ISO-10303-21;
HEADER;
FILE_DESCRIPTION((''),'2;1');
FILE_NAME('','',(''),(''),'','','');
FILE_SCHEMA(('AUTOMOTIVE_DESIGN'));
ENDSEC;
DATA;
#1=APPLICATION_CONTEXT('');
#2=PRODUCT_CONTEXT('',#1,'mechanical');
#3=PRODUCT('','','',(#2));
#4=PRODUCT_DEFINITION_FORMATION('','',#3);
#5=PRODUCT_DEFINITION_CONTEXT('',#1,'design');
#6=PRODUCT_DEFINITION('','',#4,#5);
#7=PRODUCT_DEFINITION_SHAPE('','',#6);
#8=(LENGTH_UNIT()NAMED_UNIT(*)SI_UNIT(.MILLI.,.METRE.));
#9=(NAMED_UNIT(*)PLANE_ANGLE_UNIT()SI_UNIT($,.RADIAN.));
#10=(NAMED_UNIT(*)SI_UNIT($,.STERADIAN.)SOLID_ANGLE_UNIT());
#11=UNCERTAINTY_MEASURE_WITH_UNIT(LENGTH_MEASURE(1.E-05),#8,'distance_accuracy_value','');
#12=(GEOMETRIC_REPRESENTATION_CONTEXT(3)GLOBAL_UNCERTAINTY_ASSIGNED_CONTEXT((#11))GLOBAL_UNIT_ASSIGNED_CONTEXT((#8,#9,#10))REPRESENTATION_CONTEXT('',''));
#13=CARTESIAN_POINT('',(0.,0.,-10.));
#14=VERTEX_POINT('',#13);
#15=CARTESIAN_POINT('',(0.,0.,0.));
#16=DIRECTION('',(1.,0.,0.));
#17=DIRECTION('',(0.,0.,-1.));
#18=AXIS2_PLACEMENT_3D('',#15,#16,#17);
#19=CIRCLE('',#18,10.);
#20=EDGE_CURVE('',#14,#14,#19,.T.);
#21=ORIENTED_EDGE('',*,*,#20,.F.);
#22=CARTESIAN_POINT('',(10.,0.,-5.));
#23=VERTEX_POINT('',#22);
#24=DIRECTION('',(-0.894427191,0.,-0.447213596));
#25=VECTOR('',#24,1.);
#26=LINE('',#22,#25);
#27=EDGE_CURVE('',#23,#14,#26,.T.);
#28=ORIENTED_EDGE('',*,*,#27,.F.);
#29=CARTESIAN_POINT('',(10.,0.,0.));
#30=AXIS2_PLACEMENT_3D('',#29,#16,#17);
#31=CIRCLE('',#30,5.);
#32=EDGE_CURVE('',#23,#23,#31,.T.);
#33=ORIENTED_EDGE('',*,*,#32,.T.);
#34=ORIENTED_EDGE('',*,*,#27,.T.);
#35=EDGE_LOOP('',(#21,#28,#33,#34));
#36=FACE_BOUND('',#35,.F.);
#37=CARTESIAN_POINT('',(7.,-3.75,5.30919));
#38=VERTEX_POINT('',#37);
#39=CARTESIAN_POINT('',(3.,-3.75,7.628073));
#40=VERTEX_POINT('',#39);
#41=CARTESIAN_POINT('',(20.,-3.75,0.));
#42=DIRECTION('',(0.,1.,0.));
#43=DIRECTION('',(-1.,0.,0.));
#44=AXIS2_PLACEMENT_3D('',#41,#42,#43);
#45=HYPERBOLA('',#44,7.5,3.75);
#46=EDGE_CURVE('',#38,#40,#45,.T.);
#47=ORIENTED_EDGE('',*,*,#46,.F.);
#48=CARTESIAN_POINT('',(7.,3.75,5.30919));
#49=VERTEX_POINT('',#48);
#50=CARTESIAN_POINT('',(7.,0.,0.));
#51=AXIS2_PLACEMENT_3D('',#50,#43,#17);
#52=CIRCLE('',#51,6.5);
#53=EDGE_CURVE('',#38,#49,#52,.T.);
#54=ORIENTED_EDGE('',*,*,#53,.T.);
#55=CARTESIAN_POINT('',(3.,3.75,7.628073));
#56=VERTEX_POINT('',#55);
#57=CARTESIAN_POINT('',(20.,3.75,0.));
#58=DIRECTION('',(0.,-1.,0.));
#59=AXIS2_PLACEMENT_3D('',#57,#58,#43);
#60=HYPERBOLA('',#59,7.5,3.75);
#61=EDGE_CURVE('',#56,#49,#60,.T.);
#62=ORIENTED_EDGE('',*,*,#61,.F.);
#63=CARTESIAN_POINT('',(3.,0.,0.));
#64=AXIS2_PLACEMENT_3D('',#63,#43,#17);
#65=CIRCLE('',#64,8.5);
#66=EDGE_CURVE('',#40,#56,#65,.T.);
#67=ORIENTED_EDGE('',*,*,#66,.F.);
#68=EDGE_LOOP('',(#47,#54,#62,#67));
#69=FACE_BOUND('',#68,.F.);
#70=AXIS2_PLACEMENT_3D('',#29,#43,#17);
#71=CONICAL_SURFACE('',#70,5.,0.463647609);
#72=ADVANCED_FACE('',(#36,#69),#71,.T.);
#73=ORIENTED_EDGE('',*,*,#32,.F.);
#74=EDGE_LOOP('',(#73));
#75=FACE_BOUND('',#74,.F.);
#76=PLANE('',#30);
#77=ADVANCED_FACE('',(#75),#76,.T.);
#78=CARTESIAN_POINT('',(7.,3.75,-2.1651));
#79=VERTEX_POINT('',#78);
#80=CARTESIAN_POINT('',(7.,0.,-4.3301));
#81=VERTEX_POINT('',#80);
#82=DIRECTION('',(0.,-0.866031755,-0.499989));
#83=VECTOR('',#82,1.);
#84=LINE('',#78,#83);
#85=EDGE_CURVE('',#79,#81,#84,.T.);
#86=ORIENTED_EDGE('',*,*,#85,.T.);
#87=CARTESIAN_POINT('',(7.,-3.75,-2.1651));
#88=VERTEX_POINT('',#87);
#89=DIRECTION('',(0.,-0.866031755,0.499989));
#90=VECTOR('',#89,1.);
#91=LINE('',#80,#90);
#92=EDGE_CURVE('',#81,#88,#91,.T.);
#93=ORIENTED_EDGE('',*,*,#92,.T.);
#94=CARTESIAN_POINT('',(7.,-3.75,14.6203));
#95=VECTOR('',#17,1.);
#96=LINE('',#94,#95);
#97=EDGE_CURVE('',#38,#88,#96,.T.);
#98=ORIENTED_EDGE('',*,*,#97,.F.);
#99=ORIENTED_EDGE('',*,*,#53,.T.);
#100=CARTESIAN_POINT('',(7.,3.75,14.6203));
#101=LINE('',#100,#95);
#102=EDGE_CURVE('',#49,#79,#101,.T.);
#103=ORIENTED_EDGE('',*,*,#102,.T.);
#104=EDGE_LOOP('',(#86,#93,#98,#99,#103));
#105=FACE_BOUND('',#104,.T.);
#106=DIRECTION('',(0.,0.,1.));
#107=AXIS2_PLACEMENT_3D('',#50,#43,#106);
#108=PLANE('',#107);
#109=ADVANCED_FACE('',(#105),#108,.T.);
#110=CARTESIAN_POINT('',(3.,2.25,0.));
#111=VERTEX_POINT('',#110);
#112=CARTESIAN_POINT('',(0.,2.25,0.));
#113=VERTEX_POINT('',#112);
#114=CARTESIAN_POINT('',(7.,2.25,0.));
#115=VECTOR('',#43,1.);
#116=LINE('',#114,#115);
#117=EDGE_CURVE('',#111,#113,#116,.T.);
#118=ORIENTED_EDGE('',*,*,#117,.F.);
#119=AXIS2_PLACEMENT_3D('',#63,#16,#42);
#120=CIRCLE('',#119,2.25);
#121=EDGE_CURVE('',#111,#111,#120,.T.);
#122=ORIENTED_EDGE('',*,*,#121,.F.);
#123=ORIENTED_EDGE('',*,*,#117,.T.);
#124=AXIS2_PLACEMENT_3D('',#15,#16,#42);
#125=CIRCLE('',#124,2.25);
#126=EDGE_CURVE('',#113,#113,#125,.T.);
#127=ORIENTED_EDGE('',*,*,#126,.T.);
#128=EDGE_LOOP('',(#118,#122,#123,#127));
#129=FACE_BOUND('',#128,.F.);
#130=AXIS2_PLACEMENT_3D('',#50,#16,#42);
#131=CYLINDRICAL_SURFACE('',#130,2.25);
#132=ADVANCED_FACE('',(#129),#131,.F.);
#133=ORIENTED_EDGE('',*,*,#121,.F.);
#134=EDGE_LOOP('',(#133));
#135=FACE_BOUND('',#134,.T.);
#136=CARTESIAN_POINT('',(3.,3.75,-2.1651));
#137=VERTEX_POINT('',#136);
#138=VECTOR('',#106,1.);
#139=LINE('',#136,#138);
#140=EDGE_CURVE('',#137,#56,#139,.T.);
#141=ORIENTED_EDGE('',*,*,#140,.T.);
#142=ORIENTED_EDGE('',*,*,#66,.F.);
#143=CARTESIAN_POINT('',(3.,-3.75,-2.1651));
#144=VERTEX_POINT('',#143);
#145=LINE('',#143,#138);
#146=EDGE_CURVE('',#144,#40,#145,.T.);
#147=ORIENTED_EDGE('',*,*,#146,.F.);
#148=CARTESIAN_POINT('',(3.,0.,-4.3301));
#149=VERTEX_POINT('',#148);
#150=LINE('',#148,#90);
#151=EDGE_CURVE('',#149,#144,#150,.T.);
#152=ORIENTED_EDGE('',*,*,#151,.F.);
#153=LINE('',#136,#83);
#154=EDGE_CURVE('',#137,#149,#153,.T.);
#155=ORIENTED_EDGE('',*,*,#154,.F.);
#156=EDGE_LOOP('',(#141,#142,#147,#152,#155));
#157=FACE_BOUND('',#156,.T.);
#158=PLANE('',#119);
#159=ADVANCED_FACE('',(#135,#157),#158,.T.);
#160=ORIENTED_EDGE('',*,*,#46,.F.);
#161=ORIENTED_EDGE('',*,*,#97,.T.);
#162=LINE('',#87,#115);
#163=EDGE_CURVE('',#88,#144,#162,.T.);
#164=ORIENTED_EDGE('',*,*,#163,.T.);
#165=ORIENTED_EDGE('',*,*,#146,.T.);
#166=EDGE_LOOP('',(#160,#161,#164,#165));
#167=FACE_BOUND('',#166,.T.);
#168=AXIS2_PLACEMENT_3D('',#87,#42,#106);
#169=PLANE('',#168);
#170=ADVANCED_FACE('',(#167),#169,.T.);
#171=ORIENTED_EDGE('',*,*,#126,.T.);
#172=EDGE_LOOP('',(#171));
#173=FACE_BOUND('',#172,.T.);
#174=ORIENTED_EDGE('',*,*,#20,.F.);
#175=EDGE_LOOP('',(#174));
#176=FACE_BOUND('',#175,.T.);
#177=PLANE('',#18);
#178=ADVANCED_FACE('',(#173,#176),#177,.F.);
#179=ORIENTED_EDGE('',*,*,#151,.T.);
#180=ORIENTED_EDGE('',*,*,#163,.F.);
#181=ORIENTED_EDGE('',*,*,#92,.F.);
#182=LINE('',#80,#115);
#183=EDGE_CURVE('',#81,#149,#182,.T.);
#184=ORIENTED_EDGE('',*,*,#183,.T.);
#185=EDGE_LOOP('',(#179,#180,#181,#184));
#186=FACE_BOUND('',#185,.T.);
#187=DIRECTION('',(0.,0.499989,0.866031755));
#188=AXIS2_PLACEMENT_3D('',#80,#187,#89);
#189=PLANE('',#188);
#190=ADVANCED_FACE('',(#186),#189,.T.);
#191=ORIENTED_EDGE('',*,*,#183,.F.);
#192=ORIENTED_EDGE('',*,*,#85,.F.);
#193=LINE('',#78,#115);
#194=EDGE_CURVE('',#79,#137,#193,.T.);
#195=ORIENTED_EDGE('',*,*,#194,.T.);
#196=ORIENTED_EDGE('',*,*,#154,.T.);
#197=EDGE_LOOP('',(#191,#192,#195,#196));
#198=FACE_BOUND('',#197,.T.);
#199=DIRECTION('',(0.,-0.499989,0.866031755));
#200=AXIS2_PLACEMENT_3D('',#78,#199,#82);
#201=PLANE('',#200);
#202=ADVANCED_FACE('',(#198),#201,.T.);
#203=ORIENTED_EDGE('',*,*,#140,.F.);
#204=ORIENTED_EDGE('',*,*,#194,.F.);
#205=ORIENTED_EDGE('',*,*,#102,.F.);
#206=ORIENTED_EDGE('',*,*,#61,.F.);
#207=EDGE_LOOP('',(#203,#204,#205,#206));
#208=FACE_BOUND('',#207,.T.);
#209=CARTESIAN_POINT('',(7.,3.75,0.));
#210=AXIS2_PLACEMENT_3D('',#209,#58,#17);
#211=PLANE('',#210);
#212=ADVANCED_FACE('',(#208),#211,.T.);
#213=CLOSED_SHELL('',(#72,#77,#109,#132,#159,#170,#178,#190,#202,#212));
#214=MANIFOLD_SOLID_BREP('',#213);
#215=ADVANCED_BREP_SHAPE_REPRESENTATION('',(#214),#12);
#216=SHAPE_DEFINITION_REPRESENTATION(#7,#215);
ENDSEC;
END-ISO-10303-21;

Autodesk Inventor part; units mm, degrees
ref_plane "XZ Plane" through (0, 0, 0) normal (0, 1, 0) x (-1, 0, 0)
ref_plane "XY Plane" through (0, 0, 0) normal (0, 0, 1) x (1, 0, 0)
ref_plane "Work Plane1" through (7, 0, 0) normal (1, 0, 0) x (0, 1, 0)
sketch "Sketch1" plane through (0, 0, 0) normal (0, 1, 0) x (-1, 0, 0)
  line L0 (0, 0) -> (-10, 0)
  line L1 (0, 0) -> (0, -10)
  line L2 (-10, 0) -> (-10, -5)
  line L3 (-10, -5) -> (0, -10)
  dimension "d0" = 10
  dimension "d1" = 10
  dimension "d2" = 5
revolve "Revolution1" add sketch "Sketch1" angle 360 about axis through (0, 0, 0) along (1, 0, 0)
sketch "Sketch2" plane through (7, 0, 0) normal (1, 0, 0) x (0, 1, 0)
  circle A0 centre (0, 0) radius 2.25
  dimension "d5" = 4.5
extrude "Extrusion1" cut sketch "Sketch2" along normal blind 2 and the other way blind 10
sketch "Sketch3" plane through (7, 0, 0) normal (1, 0, 0) x (0, 1, 0)
  line L0 (0, 0) -> (3.75, 0)
  line L1 (3.75, -2.1651) -> (0, -4.3301)
  line L2 (0, -4.3301) -> (-3.75, -2.1651)
  line L3 (-3.75, -2.1651) -> (-3.75, 2.1651)
  line L4 (-3.75, 2.1651) -> (0, 4.3301)
  line L5 (0, 4.3301) -> (3.75, 2.1651)
  line L6 (3.75, 2.1651) -> (3.75, -2.1651)
  line L7 (-3.75, 14.6203) -> (-3.75, 2.1651)
  line L8 (-3.75, 14.6203) -> (3.75, 14.6203)
  line L9 (3.75, 14.6203) -> (3.75, 1.2022)
  line L10 (3.75, 1.2022) -> (-3.75, 1.2022)
  line L11 (-3.75, 1.2022) -> (-3.75, 14.6203)
  dimension "d15" = 3.75
extrude "Extrusion2" cut sketch "Sketch3" against normal blind 4
sketch "Sketch5" plane through (9, 0, 0) normal (-1, 0, 0) x (0, 0, 1)
  circle A0 centre (0, 0) radius 2.25 projected
extrude "Extrusion3" add sketch "Sketch5" along normal up to surface (2 mm away)
properties part number "stollen_m4"
